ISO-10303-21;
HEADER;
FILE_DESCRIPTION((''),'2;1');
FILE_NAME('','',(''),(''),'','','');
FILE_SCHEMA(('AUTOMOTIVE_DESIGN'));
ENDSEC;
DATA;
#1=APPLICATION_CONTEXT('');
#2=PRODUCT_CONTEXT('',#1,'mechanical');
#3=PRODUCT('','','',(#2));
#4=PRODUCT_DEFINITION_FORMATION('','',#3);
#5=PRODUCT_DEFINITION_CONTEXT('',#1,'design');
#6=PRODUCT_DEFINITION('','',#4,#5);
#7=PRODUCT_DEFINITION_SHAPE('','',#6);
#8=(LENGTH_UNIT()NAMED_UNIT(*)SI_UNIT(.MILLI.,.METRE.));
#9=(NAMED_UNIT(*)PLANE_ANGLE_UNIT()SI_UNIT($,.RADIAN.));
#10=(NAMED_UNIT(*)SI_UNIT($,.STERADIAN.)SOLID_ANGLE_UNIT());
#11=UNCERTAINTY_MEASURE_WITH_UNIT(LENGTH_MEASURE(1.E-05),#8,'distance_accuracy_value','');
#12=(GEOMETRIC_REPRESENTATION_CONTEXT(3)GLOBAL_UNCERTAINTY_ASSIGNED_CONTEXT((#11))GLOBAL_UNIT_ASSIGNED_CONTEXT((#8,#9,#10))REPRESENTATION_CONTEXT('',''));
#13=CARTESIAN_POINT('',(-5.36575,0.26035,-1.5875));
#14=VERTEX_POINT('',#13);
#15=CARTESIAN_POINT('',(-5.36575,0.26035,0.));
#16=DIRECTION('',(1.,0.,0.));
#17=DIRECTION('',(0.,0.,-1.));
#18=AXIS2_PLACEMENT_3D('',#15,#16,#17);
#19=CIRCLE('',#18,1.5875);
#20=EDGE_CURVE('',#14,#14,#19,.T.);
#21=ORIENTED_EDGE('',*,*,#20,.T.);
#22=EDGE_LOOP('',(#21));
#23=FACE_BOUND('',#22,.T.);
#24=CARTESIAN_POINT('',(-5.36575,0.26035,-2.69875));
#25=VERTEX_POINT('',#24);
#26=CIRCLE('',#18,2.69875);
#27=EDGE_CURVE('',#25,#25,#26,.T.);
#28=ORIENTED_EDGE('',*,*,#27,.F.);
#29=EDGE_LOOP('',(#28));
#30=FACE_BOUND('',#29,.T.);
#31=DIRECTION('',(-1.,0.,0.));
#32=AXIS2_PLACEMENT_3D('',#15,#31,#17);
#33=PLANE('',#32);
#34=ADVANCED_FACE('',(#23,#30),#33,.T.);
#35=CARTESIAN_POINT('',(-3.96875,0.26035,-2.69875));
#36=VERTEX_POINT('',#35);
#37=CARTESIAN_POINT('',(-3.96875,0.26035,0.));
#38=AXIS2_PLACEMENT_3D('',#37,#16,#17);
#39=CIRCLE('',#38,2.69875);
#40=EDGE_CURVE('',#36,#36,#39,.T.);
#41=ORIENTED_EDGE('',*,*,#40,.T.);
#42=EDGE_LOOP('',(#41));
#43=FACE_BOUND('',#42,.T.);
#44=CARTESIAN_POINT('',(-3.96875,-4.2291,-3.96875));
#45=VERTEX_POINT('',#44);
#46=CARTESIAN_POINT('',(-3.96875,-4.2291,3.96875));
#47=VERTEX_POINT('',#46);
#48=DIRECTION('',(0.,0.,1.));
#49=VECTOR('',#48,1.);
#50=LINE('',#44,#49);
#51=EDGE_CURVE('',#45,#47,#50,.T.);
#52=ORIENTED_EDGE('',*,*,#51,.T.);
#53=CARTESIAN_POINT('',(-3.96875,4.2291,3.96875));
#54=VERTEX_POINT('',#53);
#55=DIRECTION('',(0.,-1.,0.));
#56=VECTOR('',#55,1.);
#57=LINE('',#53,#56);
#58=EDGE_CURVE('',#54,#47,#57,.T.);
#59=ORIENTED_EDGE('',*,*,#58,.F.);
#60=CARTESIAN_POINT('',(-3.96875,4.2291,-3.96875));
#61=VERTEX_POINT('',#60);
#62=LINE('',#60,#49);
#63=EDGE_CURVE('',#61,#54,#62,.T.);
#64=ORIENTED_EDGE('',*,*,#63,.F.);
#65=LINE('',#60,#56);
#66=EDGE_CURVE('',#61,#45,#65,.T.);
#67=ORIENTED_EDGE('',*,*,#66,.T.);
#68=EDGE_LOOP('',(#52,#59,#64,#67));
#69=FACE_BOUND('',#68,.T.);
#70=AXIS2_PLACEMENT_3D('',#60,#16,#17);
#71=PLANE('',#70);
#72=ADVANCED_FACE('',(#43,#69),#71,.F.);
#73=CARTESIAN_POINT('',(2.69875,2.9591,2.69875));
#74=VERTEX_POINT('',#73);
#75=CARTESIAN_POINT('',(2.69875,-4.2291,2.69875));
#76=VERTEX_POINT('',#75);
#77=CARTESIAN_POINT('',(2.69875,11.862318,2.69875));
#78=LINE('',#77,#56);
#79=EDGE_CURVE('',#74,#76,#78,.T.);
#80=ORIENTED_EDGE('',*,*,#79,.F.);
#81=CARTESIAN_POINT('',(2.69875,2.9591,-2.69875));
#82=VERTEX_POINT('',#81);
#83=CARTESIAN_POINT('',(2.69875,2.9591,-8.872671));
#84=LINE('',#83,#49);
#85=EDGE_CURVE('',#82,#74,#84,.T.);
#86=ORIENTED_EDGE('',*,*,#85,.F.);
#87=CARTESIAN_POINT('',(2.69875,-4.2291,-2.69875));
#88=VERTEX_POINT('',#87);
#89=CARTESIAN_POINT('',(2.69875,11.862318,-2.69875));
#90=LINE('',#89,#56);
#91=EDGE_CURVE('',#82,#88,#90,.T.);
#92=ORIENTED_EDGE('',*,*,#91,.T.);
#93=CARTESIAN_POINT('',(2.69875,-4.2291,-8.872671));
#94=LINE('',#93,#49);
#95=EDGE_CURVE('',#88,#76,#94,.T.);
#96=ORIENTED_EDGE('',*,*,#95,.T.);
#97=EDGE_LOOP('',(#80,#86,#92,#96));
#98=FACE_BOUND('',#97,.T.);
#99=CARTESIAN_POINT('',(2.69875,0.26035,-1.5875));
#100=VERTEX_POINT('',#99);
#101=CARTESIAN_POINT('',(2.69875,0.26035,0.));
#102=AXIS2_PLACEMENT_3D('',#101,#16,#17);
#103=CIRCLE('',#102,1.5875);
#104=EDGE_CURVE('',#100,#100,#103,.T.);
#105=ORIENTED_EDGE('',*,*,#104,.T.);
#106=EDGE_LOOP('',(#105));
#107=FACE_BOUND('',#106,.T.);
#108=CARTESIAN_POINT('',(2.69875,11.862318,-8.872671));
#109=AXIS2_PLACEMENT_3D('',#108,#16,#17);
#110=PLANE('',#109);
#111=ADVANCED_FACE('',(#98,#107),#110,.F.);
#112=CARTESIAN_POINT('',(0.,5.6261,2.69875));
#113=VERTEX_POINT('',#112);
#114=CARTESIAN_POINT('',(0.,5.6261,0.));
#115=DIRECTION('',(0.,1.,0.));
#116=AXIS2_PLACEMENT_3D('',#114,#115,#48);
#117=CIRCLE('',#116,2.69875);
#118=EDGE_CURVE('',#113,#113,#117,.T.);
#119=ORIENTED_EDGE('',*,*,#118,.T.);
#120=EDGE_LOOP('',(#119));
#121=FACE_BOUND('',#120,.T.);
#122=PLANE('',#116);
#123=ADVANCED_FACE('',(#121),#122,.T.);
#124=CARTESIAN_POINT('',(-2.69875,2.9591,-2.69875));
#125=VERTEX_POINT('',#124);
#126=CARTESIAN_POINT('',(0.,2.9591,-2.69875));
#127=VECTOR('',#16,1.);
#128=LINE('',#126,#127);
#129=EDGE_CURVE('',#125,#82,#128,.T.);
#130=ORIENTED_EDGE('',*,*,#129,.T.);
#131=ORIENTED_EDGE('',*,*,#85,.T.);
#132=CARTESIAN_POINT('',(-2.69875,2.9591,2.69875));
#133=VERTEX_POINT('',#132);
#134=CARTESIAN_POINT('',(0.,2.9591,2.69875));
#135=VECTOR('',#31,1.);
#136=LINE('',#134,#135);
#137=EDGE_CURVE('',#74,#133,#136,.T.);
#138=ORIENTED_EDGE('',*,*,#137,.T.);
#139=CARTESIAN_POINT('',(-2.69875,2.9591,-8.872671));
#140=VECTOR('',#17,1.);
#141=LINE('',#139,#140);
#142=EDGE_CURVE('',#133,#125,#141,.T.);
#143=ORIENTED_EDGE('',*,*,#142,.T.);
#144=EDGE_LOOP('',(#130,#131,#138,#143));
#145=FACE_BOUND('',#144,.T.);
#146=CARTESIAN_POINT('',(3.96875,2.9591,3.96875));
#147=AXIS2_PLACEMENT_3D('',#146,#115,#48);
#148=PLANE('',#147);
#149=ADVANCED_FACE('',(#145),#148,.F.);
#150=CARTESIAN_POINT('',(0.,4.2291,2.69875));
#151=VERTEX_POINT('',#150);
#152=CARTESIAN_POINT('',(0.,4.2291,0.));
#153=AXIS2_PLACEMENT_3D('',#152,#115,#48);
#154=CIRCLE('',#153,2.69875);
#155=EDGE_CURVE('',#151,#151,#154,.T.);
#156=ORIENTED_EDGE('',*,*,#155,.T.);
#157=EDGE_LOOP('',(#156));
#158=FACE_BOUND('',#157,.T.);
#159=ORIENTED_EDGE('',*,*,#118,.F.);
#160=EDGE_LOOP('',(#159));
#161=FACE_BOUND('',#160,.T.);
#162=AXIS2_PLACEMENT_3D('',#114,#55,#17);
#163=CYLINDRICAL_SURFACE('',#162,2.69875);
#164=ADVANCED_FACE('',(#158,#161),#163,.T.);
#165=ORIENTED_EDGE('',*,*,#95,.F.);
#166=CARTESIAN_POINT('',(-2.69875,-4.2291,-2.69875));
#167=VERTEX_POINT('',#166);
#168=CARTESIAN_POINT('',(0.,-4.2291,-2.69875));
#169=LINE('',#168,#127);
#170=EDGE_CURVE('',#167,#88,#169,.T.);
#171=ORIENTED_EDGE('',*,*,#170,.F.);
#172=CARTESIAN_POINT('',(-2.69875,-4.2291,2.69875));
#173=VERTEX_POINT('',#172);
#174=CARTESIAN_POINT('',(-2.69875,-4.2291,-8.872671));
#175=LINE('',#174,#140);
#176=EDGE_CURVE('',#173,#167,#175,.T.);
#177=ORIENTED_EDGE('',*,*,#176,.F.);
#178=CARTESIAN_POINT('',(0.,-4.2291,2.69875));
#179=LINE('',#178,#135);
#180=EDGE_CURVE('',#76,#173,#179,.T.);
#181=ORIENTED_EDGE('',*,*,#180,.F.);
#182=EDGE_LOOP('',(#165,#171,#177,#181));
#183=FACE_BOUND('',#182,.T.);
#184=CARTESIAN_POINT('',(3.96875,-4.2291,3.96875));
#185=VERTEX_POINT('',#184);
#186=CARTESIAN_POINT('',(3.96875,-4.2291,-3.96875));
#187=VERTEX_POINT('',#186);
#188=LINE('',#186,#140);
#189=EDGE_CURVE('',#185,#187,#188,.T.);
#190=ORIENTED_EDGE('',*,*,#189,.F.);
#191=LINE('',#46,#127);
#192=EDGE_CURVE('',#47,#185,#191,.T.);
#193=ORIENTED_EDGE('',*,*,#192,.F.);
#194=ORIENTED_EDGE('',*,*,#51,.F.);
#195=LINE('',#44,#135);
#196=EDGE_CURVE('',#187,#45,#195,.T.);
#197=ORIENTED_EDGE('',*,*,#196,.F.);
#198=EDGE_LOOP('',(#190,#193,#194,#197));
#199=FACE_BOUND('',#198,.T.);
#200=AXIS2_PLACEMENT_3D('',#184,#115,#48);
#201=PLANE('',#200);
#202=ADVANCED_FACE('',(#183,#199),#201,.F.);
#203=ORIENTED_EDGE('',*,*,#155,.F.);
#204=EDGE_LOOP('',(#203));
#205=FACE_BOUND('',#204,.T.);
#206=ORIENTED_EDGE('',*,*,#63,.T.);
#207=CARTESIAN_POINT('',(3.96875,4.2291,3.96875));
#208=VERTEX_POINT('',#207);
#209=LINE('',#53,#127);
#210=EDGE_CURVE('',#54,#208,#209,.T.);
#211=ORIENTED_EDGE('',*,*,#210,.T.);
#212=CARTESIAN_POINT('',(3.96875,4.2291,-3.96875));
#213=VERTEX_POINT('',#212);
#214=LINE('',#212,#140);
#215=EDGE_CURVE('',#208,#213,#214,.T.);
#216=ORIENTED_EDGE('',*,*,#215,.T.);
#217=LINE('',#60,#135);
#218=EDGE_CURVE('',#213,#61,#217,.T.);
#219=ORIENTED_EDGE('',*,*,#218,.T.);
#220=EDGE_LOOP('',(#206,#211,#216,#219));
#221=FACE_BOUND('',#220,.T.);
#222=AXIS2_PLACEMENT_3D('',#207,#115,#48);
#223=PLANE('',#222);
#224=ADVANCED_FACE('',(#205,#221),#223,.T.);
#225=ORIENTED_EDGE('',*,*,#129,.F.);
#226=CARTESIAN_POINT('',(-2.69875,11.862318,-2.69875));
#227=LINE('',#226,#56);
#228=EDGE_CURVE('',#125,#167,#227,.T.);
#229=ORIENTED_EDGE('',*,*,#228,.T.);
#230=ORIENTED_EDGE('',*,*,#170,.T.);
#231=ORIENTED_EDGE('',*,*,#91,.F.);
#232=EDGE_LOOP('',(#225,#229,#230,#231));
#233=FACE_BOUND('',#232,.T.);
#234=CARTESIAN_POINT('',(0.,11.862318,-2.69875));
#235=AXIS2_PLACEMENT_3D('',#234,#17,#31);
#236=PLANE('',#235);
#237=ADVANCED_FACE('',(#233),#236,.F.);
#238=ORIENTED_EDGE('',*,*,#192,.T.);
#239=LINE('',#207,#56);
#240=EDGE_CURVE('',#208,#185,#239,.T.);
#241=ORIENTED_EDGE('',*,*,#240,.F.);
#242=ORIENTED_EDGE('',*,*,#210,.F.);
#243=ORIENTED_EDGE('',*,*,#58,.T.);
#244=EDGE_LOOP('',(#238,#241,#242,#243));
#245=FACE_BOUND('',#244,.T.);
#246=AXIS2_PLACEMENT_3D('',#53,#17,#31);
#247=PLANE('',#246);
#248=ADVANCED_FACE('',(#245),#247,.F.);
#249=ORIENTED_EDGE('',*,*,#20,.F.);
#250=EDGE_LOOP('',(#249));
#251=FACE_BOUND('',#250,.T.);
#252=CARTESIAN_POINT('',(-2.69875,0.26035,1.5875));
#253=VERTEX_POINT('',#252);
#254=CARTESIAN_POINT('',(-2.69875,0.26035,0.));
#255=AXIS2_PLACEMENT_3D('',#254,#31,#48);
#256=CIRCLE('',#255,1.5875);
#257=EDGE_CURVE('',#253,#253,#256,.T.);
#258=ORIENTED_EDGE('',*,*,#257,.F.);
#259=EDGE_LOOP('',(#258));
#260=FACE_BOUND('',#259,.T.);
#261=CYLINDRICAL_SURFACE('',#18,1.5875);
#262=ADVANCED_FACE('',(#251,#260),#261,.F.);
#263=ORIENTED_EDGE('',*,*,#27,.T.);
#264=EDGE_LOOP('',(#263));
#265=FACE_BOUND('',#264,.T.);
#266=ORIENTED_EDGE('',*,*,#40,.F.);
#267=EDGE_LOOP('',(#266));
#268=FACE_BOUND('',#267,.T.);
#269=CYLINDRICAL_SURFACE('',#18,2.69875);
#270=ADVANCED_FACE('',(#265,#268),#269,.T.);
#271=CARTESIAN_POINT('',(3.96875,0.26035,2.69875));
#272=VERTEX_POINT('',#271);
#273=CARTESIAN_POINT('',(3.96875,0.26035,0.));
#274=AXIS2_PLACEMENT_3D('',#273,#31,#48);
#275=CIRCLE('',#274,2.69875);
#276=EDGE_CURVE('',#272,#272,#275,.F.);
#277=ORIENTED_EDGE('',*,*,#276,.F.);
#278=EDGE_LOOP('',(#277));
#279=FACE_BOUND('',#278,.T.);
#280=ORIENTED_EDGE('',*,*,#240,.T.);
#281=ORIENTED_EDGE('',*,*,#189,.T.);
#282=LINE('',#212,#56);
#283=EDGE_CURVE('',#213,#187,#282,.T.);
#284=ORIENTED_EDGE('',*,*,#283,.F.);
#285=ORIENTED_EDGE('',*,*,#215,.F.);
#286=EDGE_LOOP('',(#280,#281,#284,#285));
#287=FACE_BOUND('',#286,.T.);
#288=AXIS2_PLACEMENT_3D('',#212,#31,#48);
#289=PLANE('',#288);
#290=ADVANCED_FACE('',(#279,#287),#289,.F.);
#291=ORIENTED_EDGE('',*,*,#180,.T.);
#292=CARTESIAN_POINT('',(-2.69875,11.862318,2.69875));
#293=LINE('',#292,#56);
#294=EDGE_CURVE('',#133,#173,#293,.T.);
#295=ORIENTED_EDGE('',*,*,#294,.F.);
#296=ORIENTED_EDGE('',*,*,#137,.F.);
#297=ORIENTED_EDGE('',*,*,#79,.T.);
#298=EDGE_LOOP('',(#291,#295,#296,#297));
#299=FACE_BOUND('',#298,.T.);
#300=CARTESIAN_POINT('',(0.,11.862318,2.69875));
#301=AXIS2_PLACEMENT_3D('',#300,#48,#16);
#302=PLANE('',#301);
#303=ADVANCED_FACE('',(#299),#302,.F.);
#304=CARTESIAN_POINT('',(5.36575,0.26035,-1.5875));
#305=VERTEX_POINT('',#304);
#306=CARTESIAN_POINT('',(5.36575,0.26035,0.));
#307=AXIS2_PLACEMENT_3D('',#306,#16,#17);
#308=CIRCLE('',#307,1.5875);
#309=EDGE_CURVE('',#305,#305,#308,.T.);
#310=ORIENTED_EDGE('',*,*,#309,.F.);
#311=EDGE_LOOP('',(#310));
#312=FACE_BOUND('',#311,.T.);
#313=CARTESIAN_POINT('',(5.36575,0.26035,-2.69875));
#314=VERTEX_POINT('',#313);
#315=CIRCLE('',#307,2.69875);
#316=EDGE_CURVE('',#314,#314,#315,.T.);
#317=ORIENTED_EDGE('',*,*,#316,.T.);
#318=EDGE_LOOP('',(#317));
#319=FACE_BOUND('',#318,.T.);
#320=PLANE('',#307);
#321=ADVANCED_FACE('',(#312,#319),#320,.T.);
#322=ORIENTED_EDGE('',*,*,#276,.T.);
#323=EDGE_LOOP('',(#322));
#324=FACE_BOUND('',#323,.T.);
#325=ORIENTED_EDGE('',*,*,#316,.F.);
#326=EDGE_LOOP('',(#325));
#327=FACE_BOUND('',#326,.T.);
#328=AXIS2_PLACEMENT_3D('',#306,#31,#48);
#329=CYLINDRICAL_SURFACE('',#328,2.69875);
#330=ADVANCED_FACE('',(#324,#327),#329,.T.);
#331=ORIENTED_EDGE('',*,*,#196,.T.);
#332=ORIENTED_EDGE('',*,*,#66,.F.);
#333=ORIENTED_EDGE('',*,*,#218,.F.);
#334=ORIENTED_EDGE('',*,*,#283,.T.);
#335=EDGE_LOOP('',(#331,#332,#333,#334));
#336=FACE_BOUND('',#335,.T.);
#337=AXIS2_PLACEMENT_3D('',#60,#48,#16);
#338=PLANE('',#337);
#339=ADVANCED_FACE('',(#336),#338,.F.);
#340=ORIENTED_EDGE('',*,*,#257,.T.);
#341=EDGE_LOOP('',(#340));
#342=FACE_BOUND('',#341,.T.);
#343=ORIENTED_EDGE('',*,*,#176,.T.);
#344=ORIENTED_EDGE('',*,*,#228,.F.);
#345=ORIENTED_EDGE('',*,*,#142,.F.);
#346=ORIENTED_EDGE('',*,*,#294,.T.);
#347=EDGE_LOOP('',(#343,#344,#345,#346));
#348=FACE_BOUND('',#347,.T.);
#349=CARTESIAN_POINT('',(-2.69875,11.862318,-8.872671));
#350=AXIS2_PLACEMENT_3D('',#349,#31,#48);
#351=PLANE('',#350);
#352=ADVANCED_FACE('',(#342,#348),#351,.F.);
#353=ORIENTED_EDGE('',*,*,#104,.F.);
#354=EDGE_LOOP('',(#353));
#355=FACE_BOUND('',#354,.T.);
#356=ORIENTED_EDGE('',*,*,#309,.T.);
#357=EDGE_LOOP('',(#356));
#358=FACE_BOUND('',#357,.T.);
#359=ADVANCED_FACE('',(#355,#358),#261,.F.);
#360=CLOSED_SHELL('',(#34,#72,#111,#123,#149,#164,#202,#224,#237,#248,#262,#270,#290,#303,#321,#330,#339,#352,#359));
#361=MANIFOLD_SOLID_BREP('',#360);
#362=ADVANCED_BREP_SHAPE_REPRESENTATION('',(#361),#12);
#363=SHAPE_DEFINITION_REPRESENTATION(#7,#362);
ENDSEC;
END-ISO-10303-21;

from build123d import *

# Parameters (mm, degrees)
SKETCH1_W           = 7.9375
SKETCH1_H           = 7.9375
BOSS_EXTRUDE1_DEPTH = 4.2291
SKETCH2_W           = 5.3975
SKETCH2_H           = 5.3975
CUT_EXTRUDE1_DEPTH  = 7.1882
SKETCH3_R           = 2.69875
BOSS_EXTRUDE2_DEPTH = 1.397
SKETCH5_R           = 2.69875
BOSS_EXTRUDE4_DEPTH = 1.397
SKETCH6_R           = 1.5875
CUT_EXTRUDE2_DEPTH  = 11.7315


with BuildPart() as part:
    # Sketch1 → Boss-Extrude1 (new body, symmetric)
    with BuildSketch(Plane(origin=(0, 0, 0), x_dir=(1, 0, 0), z_dir=(0, 1, 0))):
        Rectangle(SKETCH1_W, SKETCH1_H)
    extrude(amount=BOSS_EXTRUDE1_DEPTH, both=True)

    # Sketch2 → Cut-Extrude1 (cut)
    with BuildSketch(Plane.XZ.offset(4.2291)):
        Rectangle(SKETCH2_W, SKETCH2_H)
    extrude(amount=-CUT_EXTRUDE1_DEPTH, mode=Mode.SUBTRACT)

    # Sketch3 → Boss-Extrude2 (add)
    with BuildSketch(Plane(origin=(0, 4.2291, 0), x_dir=(1, 0, 0), z_dir=(0, 1, 0))):
        Circle(SKETCH3_R)
    extrude(amount=BOSS_EXTRUDE2_DEPTH)

    # Sketch5 → Boss-Extrude4 (add)
    with BuildSketch(Plane(origin=(3.96875, 0, 0), x_dir=(0, 0, -1), z_dir=(1, 0, 0))):
        with Locations((0, 0.26035)):
            Circle(SKETCH5_R)
    boss_extrude4 = extrude(amount=BOSS_EXTRUDE4_DEPTH)

    # Mirror1: Boss-Extrude4 across plane
    add(boss_extrude4.mirror(Plane(origin=(0, 0, 0), x_dir=(0, 0, 1), z_dir=(1, 0, 0))))

    # Sketch6 → Cut-Extrude2 (cut, through all)
    with BuildSketch(Plane(origin=(5.36575, 0, 0), x_dir=(0, 0, -1), z_dir=(1, 0, 0))):
        with Locations((0, 0.26035)):
            Circle(SKETCH6_R)
    extrude(amount=-CUT_EXTRUDE2_DEPTH, mode=Mode.SUBTRACT)


solid = part.part
